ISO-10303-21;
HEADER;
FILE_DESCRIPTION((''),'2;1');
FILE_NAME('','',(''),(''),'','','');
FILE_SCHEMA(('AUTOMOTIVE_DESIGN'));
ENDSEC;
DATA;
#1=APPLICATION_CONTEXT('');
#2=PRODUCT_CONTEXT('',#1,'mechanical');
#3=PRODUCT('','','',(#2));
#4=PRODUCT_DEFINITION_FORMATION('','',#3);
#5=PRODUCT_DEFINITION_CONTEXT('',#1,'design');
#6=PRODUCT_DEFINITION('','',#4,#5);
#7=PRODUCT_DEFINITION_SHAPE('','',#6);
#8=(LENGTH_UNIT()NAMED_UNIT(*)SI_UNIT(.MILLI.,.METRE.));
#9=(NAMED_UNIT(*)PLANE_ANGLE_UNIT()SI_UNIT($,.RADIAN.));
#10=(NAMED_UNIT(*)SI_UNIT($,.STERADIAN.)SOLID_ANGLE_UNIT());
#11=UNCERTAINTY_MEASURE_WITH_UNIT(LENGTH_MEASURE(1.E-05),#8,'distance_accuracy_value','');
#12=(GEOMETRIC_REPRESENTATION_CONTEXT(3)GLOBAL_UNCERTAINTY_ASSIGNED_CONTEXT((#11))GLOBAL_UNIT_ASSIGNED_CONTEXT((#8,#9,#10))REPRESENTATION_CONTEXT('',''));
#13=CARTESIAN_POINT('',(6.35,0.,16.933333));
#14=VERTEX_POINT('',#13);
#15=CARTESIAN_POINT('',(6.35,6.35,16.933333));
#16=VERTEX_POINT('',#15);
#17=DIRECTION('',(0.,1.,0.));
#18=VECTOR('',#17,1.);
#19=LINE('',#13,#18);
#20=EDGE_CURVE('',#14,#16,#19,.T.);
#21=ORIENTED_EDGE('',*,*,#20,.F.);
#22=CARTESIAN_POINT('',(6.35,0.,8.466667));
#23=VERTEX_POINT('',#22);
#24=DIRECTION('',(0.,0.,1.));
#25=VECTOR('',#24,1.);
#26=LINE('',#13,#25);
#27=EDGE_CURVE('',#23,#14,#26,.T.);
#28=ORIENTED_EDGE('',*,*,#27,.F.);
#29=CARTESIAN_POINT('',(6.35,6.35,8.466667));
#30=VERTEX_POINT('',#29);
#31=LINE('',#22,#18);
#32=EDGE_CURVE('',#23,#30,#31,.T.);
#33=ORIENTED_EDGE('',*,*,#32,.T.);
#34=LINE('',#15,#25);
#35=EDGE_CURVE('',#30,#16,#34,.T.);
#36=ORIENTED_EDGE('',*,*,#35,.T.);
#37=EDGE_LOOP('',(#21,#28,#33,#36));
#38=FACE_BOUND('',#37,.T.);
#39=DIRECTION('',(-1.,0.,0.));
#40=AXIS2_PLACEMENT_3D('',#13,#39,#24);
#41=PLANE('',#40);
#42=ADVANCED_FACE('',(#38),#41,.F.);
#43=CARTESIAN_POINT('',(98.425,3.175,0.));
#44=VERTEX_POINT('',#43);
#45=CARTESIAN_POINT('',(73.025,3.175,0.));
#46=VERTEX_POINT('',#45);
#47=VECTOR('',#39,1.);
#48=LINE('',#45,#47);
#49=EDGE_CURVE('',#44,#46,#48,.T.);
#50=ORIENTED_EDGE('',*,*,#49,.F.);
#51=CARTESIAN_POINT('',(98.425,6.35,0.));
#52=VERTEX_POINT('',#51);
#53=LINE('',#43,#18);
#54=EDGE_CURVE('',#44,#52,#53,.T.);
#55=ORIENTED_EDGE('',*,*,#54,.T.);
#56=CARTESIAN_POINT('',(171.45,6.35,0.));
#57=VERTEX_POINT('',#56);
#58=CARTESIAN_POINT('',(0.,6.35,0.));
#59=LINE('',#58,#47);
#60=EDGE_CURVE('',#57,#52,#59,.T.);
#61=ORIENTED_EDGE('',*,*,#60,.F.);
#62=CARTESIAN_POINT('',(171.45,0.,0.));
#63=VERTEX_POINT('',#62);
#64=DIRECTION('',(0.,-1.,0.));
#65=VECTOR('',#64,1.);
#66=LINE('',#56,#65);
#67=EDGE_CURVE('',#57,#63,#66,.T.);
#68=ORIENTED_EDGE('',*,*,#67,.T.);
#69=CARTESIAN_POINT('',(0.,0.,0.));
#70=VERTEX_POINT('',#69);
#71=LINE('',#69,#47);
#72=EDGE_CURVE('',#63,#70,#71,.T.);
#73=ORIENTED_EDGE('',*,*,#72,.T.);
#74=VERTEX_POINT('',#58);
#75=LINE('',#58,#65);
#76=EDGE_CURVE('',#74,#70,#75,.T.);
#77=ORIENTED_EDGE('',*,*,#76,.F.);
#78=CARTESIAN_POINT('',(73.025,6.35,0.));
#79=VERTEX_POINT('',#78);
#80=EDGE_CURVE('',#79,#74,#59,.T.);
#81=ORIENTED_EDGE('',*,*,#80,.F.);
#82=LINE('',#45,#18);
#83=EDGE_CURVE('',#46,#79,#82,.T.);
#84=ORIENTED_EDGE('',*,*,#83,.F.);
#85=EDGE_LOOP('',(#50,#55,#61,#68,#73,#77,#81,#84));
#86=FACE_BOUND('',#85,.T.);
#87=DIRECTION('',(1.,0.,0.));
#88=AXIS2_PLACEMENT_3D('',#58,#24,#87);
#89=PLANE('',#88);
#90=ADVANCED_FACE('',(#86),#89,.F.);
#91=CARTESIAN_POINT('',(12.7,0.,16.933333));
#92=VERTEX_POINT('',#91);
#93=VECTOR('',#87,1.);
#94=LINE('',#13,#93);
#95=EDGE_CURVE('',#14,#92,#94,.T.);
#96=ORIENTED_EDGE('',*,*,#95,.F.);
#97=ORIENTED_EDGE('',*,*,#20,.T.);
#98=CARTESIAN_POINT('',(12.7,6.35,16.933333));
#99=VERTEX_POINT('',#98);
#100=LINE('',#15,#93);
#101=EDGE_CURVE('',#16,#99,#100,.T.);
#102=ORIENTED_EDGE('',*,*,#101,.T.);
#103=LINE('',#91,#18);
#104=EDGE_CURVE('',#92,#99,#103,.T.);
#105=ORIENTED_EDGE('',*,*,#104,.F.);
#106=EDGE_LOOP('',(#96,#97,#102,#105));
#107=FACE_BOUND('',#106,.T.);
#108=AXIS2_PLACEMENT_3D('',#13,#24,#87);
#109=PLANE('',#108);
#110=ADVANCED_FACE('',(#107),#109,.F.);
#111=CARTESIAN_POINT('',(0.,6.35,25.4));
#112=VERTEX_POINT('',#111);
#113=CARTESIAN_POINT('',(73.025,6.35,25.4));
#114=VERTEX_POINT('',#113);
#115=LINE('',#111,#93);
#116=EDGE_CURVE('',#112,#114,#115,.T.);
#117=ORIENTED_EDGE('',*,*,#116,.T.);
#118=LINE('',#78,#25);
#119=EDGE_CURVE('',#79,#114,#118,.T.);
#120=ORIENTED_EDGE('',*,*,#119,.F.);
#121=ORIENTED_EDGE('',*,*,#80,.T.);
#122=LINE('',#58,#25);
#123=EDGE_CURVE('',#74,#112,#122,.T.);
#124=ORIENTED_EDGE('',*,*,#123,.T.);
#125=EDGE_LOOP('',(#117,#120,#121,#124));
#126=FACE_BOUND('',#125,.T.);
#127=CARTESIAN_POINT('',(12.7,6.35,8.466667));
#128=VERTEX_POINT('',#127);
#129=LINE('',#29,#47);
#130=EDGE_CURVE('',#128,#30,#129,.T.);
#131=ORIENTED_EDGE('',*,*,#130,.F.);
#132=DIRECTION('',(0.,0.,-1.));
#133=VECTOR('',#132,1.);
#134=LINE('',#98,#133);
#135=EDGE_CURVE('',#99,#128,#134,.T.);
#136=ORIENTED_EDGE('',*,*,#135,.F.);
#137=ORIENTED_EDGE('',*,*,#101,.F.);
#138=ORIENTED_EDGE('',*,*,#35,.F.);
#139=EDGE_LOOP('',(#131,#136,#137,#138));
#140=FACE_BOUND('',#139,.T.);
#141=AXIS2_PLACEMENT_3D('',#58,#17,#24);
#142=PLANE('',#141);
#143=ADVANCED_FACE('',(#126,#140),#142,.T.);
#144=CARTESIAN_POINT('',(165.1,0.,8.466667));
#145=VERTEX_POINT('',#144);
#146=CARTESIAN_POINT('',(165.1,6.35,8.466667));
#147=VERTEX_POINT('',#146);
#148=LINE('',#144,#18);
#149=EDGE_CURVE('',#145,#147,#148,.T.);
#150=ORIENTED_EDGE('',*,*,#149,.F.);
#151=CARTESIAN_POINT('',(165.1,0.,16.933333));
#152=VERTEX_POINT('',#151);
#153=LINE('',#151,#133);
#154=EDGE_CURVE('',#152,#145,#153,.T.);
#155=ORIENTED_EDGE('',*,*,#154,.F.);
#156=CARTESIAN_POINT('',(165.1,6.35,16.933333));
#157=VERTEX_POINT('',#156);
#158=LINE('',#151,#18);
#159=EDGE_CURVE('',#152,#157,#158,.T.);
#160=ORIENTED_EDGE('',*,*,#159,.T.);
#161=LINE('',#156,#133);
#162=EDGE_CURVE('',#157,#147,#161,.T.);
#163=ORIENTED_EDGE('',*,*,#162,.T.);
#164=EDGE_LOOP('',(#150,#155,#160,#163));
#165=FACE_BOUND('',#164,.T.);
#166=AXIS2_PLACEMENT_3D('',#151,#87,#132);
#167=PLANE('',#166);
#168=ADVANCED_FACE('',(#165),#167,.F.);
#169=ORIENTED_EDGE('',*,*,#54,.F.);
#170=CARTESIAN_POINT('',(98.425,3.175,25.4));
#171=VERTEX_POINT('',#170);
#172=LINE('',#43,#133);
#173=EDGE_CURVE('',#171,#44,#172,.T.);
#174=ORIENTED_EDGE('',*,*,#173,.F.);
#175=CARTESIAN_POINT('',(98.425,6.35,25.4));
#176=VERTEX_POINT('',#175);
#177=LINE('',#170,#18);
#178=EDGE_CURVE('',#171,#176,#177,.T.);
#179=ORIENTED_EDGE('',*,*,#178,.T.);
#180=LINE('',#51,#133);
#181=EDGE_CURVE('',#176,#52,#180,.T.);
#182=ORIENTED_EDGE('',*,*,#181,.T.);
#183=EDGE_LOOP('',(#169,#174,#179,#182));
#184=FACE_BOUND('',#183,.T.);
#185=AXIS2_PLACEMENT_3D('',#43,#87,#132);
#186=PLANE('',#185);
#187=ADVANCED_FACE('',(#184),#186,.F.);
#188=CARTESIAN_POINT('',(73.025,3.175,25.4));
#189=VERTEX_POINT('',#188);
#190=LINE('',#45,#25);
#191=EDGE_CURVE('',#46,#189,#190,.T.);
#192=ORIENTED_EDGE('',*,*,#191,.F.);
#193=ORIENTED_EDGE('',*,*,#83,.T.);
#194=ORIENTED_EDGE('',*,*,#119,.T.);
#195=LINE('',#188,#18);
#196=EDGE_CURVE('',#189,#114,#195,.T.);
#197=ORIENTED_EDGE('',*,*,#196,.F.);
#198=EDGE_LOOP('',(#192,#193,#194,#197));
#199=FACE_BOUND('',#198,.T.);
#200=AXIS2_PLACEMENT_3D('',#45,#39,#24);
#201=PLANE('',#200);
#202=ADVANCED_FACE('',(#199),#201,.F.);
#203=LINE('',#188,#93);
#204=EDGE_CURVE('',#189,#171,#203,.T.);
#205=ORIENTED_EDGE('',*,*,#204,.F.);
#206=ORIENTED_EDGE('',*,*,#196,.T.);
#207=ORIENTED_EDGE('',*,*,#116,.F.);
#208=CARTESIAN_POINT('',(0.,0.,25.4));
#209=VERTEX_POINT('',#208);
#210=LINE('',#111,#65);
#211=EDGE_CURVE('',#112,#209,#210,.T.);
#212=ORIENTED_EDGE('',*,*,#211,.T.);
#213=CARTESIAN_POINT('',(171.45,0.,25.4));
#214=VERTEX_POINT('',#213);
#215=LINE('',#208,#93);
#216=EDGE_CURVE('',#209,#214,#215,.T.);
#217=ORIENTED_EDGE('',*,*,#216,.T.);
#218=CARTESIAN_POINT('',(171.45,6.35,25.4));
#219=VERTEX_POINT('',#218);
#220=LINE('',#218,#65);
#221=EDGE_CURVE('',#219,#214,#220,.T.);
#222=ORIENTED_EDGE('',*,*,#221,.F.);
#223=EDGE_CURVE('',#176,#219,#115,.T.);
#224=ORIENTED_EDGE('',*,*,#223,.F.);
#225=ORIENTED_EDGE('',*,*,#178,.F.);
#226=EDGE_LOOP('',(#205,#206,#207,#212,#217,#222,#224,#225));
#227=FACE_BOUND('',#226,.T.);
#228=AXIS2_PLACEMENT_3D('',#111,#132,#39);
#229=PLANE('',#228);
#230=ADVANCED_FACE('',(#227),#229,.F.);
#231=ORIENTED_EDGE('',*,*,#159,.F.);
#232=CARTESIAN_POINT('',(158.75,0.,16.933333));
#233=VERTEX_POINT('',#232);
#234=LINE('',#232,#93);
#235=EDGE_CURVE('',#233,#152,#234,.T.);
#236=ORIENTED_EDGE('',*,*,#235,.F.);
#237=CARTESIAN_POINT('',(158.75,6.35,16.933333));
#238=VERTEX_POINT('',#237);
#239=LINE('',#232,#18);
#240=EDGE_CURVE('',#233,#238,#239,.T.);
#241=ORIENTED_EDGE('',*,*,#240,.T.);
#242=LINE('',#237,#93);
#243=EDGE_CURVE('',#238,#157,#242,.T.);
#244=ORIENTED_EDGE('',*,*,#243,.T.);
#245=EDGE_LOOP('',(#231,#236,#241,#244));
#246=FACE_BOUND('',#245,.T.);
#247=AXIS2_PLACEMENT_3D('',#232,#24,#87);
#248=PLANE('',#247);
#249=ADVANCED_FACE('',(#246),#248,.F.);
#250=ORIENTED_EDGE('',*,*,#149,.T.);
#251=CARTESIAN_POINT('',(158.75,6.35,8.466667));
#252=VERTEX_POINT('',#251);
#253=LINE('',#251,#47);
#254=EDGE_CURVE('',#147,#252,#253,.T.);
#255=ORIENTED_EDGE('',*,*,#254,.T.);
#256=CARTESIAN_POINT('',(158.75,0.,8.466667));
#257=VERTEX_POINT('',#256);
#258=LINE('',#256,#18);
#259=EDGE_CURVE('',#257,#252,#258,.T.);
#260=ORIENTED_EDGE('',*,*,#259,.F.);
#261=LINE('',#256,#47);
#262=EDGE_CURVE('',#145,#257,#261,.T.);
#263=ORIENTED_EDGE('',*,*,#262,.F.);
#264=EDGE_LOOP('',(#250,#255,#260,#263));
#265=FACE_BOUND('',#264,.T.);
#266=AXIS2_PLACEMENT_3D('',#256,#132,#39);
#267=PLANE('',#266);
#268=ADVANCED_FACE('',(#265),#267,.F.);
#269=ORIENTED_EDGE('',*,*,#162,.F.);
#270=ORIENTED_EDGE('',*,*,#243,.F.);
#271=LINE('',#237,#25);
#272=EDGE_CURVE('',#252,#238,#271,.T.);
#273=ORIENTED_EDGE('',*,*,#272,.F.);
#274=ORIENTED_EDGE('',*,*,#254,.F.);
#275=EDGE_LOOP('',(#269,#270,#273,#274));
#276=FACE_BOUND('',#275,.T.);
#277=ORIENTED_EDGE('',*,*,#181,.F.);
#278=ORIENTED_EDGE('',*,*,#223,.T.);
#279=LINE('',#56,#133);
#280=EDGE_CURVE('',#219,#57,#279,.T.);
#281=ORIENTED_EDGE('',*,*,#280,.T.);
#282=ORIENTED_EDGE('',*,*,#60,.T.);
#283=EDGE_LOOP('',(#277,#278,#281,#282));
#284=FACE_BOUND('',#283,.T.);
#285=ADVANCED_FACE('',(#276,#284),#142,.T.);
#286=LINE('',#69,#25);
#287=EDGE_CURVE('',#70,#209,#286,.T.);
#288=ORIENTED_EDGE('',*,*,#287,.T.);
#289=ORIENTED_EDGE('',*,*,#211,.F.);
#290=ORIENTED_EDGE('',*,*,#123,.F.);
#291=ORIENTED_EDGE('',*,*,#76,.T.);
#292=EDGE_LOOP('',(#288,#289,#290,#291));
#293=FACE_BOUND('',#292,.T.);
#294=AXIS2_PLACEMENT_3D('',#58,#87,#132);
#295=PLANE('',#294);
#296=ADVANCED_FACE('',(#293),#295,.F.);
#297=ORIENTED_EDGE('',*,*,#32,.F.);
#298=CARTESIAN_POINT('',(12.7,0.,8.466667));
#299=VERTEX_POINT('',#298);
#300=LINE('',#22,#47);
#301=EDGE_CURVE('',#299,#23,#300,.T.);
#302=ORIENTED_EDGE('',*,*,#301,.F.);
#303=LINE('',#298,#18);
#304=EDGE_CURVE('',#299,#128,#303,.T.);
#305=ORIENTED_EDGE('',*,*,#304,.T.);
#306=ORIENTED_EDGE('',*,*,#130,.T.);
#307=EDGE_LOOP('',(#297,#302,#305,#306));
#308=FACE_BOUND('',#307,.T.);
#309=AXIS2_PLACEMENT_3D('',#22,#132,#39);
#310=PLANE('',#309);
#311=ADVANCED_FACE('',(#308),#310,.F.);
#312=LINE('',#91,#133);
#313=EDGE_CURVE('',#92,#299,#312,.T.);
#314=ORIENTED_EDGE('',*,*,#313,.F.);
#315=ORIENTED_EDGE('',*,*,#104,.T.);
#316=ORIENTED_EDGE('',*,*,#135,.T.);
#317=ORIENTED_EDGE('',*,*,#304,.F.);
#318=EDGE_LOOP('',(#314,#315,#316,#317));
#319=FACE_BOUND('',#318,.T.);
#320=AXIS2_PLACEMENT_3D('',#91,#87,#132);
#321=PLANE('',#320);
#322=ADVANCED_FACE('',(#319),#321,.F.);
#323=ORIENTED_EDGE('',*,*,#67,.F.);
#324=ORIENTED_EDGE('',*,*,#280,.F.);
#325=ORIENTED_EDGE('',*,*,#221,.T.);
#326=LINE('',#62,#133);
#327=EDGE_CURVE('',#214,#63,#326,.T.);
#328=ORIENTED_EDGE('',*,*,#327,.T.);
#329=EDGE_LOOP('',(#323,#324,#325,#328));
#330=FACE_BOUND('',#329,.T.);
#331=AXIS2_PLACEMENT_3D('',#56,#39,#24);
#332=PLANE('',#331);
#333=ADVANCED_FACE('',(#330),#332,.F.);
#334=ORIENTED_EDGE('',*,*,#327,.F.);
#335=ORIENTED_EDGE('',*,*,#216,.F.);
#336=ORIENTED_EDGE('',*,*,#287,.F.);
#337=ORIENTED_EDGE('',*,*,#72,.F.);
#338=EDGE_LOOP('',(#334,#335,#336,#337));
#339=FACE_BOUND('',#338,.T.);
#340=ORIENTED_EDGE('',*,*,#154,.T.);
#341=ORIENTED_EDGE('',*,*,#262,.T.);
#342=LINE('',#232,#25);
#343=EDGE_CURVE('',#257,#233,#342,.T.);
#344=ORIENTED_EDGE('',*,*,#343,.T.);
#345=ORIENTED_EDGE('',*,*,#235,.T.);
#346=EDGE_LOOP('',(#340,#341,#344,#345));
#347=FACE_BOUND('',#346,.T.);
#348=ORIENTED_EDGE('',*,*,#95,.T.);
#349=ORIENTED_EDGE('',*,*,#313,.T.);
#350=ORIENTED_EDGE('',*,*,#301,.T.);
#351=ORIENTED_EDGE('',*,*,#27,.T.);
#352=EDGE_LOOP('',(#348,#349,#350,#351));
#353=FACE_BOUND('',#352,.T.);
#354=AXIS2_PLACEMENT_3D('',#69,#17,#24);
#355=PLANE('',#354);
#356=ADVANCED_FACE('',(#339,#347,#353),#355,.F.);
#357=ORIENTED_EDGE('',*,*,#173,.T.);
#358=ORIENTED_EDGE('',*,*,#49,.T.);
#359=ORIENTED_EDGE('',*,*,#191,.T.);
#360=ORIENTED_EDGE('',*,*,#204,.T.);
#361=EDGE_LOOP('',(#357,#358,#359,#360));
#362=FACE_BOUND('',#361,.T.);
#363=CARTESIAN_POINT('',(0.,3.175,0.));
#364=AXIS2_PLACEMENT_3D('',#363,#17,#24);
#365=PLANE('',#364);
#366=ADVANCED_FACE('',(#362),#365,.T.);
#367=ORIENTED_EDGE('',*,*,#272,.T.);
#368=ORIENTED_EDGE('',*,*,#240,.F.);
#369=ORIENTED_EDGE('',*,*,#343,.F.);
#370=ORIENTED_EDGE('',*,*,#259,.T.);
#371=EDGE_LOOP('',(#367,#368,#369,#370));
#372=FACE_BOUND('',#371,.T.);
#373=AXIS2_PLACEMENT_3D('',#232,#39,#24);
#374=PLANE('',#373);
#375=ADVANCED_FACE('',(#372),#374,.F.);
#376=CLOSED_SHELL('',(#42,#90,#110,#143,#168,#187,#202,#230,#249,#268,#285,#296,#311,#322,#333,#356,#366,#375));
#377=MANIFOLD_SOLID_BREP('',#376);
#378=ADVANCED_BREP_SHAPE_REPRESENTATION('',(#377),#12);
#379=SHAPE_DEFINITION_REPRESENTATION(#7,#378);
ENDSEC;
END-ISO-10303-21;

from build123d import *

# Parameters (mm, degrees)
SKETCH2_W           = 171.45
SKETCH2_H           = 25.4
BOSS_EXTRUDE1_DEPTH = 6.35
SKETCH3_W           = 6.35
SKETCH3_H           = 8.466666666
CUT_EXTRUDE1_DEPTH  = 174.437553604
SKETCH4_W           = 25.4
SKETCH4_H           = 25.4
CUT_EXTRUDE2_DEPTH  = 3.175


with BuildPart() as part:
    # Sketch2 → Boss-Extrude1 (new body)
    with BuildSketch(Plane(origin=(0, 0, 0), x_dir=(1, 0, 0), z_dir=(0, 1, 0))):
        with Locations((85.725, -12.7)):
            Rectangle(SKETCH2_W, SKETCH2_H)
    extrude(amount=BOSS_EXTRUDE1_DEPTH)

    # Sketch3 → Cut-Extrude1 (cut, through all)
    with BuildSketch(Plane(origin=(0, 6.35, 0), x_dir=(1, 0, 0), z_dir=(0, 1, 0))):
        with Locations((161.925, -12.7)):
            Rectangle(SKETCH3_W, SKETCH3_H)
        with Locations((9.525, -12.7)):
            Rectangle(SKETCH3_W, SKETCH3_H)
    extrude(amount=-CUT_EXTRUDE1_DEPTH, mode=Mode.SUBTRACT)

    # Sketch4 → Cut-Extrude2 (cut)
    with BuildSketch(Plane(origin=(0, 6.35, 0), x_dir=(1, 0, 0), z_dir=(0, 1, 0))):
        with Locations((85.725, -12.7)):
            Rectangle(SKETCH4_W, SKETCH4_H)
    extrude(amount=-CUT_EXTRUDE2_DEPTH, mode=Mode.SUBTRACT)


solid = part.part
